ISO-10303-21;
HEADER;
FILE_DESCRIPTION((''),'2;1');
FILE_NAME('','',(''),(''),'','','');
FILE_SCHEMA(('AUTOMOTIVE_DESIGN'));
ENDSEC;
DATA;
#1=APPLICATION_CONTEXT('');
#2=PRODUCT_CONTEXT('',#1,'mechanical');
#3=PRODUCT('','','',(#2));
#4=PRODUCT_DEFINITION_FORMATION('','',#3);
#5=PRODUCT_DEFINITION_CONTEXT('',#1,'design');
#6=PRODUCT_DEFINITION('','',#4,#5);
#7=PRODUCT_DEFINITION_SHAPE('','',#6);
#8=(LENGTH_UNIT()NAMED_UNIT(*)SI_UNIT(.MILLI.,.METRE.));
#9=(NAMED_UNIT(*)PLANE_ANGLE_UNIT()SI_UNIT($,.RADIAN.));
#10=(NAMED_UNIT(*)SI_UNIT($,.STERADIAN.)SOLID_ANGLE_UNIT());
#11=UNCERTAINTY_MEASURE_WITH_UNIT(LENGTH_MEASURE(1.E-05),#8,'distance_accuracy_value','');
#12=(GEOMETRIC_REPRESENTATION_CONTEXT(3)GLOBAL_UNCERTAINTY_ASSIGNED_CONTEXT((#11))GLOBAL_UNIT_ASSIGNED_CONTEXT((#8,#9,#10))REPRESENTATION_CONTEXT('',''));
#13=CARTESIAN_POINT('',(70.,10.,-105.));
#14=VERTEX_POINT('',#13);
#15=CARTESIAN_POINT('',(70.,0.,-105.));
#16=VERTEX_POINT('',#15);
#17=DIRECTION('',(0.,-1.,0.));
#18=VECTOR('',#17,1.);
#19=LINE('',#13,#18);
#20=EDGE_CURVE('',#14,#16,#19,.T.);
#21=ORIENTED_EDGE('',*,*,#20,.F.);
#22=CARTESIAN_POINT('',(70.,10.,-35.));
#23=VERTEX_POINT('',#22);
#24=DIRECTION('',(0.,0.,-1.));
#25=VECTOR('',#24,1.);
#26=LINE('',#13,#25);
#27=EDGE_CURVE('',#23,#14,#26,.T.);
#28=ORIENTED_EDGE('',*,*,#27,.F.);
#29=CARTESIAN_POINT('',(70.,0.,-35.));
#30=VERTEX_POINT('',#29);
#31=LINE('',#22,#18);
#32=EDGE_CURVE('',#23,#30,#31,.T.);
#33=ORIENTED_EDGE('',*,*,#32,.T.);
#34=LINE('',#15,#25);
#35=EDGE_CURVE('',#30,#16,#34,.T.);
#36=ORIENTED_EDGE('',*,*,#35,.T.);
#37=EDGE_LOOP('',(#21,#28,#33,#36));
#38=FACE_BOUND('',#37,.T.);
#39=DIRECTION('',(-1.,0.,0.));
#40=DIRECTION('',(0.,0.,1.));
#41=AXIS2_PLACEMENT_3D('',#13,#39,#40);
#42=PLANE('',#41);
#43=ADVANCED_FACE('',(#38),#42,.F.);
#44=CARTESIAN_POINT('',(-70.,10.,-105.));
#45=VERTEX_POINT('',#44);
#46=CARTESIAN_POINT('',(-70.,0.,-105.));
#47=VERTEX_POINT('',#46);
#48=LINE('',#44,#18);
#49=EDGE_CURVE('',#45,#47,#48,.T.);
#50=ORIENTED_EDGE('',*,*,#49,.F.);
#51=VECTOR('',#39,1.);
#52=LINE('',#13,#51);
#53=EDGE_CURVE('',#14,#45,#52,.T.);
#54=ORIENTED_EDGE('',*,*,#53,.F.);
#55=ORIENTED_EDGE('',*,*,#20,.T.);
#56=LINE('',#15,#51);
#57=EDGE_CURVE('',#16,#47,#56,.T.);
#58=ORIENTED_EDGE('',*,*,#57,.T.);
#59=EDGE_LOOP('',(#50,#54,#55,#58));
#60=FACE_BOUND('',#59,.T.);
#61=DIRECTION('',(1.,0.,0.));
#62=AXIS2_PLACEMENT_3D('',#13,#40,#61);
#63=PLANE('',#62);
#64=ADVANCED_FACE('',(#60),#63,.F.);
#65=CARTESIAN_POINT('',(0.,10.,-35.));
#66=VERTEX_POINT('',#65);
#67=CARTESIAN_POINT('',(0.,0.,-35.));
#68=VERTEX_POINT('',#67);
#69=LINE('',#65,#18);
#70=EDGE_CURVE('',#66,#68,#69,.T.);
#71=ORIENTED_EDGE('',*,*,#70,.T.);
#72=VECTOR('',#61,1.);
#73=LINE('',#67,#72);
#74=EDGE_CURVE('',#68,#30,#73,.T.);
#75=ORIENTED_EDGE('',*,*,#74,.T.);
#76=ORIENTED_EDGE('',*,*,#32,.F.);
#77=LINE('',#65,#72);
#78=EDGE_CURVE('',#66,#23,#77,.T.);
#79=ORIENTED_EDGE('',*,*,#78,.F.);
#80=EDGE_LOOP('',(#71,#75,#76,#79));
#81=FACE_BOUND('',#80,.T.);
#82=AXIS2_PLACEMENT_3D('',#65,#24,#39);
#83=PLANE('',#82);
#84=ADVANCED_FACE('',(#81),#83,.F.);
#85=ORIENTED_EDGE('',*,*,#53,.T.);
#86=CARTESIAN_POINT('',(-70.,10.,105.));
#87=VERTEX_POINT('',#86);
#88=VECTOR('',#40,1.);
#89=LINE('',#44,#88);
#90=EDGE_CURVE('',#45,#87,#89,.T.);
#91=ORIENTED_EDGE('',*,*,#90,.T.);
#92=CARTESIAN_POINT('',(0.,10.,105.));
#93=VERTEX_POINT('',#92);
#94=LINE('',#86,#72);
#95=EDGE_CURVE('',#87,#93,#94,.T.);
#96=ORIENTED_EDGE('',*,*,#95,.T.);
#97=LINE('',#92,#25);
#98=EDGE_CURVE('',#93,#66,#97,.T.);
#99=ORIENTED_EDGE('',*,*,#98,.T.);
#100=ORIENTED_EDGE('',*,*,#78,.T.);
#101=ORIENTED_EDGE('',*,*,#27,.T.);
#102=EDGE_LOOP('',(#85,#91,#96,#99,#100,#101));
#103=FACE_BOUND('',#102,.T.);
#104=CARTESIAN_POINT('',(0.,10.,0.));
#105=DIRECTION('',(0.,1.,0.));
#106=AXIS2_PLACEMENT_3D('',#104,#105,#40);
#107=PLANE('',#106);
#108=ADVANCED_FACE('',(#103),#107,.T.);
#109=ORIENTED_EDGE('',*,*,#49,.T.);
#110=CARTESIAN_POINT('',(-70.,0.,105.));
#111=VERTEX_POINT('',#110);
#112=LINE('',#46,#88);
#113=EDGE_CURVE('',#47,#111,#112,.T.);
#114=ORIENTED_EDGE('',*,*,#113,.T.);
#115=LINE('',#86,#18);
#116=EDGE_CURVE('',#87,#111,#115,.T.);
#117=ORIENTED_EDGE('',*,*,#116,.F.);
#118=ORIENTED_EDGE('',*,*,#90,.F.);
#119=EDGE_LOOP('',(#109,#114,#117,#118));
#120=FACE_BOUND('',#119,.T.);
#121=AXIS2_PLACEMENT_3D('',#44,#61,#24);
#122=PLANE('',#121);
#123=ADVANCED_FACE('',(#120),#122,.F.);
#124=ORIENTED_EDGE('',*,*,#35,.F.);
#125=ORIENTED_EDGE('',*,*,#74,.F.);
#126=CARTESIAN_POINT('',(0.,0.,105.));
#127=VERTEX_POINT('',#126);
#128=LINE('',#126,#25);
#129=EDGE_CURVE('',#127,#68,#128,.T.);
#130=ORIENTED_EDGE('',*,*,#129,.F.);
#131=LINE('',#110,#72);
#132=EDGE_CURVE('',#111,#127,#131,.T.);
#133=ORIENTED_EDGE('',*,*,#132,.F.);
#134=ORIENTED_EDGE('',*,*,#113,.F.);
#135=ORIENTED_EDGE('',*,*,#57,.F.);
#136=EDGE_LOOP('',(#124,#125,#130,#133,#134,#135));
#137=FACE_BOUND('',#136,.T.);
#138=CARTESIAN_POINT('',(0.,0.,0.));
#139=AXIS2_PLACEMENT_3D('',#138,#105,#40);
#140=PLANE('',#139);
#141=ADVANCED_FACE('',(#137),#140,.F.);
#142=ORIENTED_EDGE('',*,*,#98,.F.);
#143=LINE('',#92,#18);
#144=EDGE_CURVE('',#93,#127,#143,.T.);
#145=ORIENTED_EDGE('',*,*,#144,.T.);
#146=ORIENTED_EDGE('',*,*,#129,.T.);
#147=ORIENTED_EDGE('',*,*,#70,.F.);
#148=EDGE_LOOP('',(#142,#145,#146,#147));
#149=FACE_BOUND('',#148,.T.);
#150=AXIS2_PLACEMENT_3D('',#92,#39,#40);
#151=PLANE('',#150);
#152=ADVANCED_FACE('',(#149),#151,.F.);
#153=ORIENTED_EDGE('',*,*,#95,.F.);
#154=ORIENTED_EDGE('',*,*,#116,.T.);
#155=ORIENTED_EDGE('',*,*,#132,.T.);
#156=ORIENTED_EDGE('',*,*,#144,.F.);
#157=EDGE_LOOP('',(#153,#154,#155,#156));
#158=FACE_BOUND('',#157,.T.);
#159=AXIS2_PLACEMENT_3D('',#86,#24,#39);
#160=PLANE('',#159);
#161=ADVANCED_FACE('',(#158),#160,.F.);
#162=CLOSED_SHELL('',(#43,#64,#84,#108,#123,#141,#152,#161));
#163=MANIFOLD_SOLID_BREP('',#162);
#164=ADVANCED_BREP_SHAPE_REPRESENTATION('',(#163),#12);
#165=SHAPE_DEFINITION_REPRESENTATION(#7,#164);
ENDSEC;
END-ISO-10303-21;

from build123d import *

# Parameters (mm, degrees)
BOSS_EXTRUDE1_DEPTH = 10


with BuildPart() as part:
    # Sketch1 → Boss-Extrude1 (new body)
    with BuildSketch(Plane(origin=(0, 0, 0), x_dir=(1, 0, 0), z_dir=(0, 1, 0))):
        Polygon((0, -105), (0, 35), (70, 35), (70, 105), (-70, 105), (-70, -105), align=None)
    extrude(amount=BOSS_EXTRUDE1_DEPTH)


solid = part.part
